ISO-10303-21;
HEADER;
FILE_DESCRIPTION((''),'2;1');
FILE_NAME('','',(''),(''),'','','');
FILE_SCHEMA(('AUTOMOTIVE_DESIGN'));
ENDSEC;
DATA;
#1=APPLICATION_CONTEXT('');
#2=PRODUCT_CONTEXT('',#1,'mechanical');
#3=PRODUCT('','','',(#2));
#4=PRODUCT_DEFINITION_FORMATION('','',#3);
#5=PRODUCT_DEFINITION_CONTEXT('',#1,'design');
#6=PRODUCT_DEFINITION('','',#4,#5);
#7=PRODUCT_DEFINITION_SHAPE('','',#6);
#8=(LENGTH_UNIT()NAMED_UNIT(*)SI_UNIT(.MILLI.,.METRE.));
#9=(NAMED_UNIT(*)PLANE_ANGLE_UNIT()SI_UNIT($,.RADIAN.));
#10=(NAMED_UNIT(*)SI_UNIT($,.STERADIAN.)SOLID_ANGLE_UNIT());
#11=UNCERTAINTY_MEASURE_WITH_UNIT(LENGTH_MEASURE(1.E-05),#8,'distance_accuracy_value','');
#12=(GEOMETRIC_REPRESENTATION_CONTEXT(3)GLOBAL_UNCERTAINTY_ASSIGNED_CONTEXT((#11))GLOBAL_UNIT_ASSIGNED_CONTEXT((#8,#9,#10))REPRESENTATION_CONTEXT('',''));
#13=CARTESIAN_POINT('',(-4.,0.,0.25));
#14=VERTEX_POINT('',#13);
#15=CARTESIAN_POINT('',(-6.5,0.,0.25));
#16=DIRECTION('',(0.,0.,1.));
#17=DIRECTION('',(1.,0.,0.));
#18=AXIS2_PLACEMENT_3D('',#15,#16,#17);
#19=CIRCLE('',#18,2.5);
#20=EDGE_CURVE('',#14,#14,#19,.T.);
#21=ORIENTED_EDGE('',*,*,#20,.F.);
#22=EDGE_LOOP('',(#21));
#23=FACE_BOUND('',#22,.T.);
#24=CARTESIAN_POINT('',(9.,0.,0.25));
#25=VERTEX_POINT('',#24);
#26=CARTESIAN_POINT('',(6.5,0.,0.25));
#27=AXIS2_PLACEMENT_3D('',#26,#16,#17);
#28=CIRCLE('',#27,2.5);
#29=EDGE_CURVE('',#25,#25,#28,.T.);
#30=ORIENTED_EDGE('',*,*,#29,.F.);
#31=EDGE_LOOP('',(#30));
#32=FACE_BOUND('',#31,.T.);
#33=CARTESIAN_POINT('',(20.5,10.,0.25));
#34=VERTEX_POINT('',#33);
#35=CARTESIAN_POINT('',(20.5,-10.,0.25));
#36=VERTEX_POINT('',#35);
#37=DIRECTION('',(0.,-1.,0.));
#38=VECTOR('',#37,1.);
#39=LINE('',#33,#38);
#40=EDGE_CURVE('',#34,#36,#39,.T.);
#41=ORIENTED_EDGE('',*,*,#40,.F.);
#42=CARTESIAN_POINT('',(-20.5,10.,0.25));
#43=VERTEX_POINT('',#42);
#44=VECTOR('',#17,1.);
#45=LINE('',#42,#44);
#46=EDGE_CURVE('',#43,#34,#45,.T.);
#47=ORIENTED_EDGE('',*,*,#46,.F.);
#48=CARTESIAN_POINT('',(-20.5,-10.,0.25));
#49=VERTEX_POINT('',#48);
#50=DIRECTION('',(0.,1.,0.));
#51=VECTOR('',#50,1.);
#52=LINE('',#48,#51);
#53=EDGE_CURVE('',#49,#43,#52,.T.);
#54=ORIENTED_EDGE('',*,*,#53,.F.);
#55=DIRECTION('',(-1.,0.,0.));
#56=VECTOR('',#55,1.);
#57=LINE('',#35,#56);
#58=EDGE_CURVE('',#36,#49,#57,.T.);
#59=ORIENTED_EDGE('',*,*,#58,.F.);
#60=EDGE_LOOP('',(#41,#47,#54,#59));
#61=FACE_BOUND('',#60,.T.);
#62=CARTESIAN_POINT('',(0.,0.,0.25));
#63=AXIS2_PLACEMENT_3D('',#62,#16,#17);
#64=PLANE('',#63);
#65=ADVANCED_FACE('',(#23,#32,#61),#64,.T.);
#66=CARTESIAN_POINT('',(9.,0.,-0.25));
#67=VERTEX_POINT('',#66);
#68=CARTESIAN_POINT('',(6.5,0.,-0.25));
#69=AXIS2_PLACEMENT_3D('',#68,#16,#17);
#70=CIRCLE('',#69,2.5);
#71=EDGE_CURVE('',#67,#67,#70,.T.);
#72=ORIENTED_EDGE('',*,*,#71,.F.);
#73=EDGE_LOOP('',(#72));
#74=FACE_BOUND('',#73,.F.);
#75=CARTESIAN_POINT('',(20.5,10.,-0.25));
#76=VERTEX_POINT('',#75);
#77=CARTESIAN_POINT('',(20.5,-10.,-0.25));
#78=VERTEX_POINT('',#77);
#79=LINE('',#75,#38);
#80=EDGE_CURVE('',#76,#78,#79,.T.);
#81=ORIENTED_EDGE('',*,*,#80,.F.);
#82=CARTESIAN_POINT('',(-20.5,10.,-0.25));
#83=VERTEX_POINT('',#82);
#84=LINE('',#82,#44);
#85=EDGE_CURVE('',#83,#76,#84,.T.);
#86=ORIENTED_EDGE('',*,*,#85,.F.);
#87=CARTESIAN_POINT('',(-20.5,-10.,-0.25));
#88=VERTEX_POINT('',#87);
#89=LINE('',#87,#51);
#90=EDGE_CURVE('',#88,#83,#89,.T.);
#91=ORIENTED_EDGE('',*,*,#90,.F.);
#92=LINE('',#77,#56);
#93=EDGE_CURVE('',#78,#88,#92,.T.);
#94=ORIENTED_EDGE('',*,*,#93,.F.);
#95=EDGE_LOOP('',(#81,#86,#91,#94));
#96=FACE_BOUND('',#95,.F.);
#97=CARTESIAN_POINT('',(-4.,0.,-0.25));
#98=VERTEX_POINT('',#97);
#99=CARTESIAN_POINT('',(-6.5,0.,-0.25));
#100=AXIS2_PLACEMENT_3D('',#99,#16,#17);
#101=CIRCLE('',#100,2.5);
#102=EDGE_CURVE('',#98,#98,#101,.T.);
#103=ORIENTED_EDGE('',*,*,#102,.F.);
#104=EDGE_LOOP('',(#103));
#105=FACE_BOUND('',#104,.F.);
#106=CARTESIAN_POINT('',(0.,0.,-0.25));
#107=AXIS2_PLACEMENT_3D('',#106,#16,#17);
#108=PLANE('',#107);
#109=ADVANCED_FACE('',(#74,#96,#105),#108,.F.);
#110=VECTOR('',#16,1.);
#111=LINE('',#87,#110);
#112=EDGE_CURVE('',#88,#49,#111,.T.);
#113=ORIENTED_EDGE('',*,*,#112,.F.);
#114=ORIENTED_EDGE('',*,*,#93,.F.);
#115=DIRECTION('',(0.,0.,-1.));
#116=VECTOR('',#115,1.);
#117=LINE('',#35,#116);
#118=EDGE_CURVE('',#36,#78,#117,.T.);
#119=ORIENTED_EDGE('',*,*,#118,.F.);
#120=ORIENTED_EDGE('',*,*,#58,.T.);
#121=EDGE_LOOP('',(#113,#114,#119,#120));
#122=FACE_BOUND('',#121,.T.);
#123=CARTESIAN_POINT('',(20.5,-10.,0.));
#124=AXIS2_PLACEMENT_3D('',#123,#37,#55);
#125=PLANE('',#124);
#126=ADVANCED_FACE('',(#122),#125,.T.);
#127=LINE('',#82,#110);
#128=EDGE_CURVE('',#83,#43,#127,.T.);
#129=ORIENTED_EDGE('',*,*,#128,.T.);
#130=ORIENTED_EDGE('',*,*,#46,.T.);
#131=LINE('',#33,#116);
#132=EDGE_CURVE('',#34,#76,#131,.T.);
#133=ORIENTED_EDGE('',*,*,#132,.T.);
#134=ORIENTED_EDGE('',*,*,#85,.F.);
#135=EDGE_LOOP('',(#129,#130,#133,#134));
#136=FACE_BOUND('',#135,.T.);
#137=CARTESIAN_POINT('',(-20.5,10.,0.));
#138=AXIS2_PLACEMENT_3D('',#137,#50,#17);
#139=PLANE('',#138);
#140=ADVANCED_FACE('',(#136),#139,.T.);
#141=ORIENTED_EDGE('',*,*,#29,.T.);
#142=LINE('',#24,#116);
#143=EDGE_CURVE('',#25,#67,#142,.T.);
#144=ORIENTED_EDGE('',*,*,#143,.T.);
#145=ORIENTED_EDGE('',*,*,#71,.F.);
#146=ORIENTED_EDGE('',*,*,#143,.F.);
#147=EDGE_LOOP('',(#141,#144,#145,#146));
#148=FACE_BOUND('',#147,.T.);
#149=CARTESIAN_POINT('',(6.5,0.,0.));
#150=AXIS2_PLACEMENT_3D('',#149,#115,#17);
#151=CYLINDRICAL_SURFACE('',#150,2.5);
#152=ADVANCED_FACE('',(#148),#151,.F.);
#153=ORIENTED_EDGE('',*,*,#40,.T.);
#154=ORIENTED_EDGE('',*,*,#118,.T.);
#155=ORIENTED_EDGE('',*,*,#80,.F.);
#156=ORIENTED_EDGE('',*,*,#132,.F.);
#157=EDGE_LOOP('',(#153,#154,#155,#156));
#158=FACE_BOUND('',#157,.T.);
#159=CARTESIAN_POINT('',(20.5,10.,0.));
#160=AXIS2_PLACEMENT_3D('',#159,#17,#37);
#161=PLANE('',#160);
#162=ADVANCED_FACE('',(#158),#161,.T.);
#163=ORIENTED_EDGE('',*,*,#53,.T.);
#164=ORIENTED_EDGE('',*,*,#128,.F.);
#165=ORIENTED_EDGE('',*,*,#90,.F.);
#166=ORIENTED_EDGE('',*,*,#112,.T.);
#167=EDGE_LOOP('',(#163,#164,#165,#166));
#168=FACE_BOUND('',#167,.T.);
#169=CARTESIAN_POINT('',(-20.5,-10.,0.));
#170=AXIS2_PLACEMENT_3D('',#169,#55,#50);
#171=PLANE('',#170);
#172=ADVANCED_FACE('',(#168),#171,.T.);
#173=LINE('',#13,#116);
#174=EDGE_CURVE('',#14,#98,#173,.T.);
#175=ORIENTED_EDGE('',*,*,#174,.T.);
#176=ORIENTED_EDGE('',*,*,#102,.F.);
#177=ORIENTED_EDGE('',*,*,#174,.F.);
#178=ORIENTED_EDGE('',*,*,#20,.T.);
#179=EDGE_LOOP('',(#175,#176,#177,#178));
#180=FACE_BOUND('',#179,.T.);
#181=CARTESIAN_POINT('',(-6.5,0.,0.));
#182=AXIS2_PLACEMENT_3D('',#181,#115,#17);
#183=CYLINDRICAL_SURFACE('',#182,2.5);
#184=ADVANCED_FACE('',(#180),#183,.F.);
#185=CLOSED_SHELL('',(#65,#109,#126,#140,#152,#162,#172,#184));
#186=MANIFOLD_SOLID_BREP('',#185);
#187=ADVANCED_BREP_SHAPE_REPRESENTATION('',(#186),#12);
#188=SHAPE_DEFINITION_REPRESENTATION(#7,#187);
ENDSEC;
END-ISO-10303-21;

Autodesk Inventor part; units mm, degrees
ref_plane "YZ Plane" through (0, 0, 0) normal (1, 0, 0) x (0, 1, 0)
ref_plane "XZ Plane" through (0, 0, 0) normal (0, 1, 0) x (-1, 0, 0)
ref_plane "XY Plane" through (0, 0, 0) normal (0, 0, 1) x (1, 0, 0)
sketch "Sketch1" plane through (0, 0, 0) normal (0, 0, 1) x (1, 0, 0)
  line L0 (-20.5, 10) -> (20.5, 10)
  line L1 (20.5, 10) -> (20.5, -10)
  line L2 (20.5, -10) -> (-20.5, -10)
  line L3 (-20.5, -10) -> (-20.5, 10)
  line L4 (-20.5, 10) -> (20.5, -10) construction
  line L5 (20.5, 10) -> (-20.5, -10) construction
  circle A0 centre (6.5, 0) radius 2.5
  circle A1 centre (-6.5, 0) radius 2.5
  point P0 (0, 0)
  dimension "d0" = 41
  dimension "d1" = 20
  dimension "d2" = 5
  dimension "d3" = 6.5
  dimension "d4" = 5
  dimension "d5" = 6.5
extrude "Extrusion1" add sketch "Sketch1" along normal mid plane 0.5
properties part number "galvo spacer"
